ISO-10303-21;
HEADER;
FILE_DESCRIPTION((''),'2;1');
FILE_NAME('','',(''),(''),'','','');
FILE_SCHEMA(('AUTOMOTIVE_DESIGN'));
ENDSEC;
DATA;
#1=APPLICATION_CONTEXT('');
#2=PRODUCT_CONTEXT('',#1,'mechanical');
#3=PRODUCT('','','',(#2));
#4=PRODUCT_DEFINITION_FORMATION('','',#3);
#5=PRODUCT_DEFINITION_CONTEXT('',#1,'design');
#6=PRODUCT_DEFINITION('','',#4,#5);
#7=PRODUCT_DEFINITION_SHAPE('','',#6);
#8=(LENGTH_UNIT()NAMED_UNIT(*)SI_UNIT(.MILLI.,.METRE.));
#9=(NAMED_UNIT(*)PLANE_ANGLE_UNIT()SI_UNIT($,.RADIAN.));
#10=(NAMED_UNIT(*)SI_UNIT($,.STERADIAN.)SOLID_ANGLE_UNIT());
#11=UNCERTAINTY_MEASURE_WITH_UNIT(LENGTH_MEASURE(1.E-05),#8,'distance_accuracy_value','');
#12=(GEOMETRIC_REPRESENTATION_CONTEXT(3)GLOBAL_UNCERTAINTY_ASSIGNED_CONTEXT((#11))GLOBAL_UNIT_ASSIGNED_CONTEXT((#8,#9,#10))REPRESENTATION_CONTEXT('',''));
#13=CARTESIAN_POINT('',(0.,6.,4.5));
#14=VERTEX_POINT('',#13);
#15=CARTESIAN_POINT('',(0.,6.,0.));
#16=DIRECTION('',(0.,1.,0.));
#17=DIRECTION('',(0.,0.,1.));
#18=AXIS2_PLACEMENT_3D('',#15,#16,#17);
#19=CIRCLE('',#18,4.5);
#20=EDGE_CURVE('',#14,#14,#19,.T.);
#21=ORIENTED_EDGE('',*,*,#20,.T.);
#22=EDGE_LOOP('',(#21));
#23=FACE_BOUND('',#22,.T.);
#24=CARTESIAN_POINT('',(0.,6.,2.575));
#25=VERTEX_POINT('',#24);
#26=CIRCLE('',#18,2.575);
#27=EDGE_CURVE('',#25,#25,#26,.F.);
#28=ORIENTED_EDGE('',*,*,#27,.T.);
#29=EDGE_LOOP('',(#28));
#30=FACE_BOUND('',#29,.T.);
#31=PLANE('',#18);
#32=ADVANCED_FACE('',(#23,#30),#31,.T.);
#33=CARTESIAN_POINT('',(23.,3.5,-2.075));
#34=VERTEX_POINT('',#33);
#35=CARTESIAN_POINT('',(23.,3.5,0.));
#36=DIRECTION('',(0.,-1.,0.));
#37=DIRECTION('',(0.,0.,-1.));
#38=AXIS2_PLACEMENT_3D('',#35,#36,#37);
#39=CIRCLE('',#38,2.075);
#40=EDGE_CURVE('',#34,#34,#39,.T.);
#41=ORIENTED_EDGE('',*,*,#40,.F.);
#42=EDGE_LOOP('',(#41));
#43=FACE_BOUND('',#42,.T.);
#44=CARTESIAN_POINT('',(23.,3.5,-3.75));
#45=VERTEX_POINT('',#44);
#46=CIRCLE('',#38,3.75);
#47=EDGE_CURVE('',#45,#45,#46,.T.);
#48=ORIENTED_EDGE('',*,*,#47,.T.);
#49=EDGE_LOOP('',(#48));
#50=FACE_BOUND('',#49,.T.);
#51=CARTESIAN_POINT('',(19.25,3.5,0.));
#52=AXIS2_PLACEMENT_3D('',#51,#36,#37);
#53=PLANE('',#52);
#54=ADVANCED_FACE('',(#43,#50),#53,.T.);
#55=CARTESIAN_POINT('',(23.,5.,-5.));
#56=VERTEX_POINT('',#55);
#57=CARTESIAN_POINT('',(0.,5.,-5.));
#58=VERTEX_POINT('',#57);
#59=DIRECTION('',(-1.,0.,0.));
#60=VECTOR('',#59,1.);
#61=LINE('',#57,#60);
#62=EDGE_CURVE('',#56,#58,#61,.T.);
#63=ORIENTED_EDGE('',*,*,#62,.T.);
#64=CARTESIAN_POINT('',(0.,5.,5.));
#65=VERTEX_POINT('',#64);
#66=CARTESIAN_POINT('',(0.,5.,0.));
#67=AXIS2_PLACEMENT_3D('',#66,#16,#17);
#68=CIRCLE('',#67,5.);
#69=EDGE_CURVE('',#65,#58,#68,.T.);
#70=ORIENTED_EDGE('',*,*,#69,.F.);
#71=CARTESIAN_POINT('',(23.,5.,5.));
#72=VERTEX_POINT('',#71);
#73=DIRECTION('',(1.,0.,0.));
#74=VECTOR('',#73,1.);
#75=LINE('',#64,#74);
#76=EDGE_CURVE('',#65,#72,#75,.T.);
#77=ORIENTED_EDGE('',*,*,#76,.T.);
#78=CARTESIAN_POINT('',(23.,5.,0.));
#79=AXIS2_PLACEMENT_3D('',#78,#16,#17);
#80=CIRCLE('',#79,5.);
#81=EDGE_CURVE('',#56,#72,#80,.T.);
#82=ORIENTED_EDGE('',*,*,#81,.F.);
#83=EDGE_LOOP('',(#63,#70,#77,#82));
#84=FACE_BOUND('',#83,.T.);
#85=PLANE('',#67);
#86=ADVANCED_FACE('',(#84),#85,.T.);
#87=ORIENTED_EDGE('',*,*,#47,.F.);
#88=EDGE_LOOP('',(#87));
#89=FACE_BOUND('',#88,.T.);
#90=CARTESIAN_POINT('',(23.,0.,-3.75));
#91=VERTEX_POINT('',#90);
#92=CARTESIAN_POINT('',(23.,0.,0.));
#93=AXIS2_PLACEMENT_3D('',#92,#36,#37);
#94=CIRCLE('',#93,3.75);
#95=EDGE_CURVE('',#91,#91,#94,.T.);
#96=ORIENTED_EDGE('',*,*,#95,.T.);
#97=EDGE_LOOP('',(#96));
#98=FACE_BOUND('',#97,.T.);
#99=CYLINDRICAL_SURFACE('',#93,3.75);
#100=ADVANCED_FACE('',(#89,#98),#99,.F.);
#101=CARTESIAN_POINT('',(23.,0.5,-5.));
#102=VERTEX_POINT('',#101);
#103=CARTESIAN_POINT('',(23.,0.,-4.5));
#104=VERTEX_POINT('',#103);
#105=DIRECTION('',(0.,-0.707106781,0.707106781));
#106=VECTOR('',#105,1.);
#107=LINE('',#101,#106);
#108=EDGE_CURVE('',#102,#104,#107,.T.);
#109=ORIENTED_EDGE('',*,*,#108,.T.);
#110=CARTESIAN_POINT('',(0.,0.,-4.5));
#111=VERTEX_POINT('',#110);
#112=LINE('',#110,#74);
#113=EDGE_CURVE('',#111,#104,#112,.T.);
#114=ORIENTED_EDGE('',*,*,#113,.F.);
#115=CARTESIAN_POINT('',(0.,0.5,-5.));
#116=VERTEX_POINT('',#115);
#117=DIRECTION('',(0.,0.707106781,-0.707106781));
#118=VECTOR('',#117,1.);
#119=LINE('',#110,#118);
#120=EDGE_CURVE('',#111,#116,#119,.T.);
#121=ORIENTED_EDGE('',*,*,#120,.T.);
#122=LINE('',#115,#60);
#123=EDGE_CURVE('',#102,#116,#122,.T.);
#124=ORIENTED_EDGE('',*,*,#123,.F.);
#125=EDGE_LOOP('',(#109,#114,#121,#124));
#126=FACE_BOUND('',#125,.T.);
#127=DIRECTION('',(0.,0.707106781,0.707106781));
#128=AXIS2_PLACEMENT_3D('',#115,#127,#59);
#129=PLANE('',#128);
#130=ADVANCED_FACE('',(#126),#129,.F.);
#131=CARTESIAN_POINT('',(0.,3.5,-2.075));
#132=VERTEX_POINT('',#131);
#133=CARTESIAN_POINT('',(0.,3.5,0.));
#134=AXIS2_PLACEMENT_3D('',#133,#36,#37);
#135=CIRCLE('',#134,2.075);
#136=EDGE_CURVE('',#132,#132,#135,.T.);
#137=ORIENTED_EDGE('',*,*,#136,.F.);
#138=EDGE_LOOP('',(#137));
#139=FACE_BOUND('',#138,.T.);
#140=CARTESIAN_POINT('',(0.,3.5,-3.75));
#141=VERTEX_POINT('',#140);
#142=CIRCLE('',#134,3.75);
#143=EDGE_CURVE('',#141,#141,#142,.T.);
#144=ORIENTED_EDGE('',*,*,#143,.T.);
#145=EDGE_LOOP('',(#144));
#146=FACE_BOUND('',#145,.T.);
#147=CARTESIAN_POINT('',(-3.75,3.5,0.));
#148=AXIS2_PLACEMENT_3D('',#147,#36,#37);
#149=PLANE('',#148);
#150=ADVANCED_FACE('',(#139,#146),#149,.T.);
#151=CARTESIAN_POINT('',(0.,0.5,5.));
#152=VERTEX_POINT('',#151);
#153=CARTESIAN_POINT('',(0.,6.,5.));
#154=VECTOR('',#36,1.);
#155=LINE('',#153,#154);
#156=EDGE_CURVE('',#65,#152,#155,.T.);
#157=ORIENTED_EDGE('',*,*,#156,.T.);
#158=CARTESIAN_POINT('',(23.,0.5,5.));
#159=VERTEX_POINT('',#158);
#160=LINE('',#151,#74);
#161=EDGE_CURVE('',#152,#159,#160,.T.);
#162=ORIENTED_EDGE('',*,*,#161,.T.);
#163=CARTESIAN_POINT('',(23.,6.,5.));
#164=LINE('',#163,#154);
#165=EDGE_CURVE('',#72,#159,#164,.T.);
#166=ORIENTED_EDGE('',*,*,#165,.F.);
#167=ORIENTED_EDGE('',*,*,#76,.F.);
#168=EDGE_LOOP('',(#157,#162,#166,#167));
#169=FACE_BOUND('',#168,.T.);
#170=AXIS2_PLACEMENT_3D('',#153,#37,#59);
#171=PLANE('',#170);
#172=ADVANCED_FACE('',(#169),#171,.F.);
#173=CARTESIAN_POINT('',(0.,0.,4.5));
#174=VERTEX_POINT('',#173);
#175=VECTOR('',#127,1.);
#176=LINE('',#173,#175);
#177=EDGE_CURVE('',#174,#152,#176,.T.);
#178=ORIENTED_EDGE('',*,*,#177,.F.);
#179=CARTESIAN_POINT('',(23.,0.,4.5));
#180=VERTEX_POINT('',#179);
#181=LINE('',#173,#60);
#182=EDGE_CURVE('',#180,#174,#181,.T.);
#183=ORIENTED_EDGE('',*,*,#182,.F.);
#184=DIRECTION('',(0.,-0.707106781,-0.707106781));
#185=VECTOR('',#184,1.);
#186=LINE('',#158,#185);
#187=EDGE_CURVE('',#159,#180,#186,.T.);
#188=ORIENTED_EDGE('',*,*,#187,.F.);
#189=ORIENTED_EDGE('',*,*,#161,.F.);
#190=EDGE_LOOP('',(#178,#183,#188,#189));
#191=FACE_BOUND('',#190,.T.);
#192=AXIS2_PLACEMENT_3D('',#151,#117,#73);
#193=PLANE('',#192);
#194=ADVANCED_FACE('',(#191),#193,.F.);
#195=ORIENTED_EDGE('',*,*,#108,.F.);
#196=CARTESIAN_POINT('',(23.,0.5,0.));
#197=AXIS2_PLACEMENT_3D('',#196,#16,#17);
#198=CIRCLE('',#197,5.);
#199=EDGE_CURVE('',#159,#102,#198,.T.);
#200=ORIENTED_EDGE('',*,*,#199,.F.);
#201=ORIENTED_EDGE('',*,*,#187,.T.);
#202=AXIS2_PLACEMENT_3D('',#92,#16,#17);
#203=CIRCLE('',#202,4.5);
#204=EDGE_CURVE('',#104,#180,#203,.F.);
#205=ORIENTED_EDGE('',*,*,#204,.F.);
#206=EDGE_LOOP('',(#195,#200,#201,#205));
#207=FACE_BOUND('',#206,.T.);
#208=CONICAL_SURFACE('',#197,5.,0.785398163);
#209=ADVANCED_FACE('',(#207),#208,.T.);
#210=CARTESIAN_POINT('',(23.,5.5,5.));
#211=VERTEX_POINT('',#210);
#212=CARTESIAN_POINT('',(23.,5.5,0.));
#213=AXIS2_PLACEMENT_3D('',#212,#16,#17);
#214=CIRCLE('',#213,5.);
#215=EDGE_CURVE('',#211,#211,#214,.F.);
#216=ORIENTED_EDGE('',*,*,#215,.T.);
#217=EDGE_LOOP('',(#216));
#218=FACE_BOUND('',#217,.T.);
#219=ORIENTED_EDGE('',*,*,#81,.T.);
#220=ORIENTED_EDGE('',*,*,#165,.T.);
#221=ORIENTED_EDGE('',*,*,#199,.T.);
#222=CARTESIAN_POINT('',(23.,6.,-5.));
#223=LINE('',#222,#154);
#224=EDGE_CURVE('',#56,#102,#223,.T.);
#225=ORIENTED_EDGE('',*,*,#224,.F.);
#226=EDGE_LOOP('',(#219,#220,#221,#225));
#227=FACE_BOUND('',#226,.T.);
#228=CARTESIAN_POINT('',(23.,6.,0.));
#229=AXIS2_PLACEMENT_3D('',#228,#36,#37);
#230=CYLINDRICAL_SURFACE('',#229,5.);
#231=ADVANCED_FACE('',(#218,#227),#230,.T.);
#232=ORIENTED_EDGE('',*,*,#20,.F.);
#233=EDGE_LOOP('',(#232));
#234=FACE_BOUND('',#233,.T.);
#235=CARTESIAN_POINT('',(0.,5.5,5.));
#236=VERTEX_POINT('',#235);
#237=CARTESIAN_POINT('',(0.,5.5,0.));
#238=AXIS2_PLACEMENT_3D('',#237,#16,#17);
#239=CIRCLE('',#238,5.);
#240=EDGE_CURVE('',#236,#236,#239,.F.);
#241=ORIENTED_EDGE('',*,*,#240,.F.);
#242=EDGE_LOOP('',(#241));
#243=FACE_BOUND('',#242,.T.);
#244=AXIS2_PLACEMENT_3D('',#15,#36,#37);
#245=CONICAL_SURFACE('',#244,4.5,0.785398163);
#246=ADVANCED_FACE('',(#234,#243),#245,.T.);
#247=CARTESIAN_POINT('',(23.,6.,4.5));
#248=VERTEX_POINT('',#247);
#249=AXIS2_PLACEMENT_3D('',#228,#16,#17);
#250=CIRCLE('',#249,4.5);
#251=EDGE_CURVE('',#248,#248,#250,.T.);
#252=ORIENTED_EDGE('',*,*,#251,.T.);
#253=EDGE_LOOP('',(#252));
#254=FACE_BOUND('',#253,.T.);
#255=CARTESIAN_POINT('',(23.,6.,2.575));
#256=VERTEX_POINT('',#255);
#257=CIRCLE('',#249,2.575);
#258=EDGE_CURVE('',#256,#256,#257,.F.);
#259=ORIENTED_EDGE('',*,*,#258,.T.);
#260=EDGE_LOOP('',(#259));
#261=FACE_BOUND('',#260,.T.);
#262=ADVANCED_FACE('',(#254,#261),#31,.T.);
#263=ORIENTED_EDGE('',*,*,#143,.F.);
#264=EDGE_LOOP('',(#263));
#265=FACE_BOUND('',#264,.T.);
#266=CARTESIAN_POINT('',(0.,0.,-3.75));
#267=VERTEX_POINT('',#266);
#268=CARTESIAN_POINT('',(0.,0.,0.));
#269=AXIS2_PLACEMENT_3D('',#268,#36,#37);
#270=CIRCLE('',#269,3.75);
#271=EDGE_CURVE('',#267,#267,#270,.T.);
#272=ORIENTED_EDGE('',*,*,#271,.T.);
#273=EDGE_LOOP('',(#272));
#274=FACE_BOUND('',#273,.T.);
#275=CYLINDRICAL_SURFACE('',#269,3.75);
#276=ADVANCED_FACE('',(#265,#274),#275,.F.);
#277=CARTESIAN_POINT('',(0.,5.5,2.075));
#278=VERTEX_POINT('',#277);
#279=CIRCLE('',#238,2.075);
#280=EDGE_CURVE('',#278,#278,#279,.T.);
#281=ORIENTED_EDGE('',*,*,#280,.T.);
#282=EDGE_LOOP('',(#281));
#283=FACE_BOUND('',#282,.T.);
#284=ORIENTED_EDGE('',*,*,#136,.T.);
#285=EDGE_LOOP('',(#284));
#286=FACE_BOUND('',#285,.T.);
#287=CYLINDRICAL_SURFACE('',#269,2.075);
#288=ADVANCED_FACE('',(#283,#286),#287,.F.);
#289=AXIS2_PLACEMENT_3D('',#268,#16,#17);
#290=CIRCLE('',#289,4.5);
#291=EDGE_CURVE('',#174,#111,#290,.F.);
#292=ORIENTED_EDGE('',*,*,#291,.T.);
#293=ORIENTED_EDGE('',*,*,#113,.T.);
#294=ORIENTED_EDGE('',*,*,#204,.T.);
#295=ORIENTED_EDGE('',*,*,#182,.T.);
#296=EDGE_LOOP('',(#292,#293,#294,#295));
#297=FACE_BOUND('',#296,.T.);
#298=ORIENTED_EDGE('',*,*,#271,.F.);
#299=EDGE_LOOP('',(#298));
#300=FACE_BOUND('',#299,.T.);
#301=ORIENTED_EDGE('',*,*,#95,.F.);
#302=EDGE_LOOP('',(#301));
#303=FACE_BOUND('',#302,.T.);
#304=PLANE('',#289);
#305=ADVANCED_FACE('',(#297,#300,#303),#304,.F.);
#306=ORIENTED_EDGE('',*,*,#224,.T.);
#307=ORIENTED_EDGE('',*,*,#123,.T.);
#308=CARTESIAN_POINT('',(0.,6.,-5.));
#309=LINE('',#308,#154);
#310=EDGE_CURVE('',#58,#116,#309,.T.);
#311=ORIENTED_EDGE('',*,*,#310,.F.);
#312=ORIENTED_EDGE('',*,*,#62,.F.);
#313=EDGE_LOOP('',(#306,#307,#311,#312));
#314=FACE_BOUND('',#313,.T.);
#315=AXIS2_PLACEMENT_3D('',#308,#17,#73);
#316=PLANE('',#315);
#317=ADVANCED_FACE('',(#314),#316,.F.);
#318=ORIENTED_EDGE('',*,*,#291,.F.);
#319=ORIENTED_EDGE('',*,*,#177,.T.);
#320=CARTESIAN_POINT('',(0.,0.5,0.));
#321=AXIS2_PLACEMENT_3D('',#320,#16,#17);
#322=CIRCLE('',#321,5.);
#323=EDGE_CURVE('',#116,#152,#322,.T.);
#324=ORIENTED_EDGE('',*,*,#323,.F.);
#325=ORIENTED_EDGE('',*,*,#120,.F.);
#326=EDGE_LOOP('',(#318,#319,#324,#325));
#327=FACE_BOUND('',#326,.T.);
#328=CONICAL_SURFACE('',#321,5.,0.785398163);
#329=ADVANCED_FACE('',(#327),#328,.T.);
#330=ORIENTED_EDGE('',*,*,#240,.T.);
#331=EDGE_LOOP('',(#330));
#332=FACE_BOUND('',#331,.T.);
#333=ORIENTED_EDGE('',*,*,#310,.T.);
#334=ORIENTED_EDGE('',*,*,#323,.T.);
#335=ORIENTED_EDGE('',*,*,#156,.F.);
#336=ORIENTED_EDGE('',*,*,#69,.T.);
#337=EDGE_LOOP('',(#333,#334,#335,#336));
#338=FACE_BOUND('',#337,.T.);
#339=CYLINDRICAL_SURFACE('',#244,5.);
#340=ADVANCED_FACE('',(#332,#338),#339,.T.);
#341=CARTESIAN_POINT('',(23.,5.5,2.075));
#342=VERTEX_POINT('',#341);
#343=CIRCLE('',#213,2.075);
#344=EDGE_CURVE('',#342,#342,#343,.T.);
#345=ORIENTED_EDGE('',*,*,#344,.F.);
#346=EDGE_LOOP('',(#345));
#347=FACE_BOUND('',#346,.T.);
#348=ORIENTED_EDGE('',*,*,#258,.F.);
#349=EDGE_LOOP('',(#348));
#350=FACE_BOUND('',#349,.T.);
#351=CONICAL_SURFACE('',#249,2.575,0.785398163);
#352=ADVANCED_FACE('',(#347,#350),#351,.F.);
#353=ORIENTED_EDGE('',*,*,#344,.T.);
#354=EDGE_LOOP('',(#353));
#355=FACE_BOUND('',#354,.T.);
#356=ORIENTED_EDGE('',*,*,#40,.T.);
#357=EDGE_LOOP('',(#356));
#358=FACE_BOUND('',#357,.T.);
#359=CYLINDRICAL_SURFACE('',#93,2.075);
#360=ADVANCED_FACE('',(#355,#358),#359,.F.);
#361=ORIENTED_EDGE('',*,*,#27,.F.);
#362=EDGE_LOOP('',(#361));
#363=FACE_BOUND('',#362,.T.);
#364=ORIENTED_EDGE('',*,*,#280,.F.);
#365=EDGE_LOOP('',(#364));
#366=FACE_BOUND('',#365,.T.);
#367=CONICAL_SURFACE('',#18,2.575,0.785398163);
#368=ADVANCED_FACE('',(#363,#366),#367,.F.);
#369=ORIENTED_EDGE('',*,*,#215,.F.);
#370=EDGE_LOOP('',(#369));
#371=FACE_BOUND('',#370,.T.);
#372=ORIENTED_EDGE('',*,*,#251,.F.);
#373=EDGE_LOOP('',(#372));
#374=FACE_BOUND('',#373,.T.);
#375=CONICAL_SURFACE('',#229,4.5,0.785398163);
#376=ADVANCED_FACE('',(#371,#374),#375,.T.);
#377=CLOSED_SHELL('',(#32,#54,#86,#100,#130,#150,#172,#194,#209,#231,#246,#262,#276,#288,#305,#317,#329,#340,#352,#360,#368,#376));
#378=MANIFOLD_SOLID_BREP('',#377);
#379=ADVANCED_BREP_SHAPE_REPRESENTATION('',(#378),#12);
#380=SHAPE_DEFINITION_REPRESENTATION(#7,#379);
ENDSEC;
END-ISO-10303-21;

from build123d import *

# Parameters (mm, degrees)
BOSS_EXTRUDE1_DEPTH = 6
SKETCH5_W           = 50.780974492
SKETCH5_H           = 22.085020173
SKETCH5_R           = 5
CUT_EXTRUDE1_DEPTH  = 1
CHAMFER2_SIZE       = 0.5


with BuildPart() as part:
    # Sketch2 → Boss-Extrude1 (new body)
    with BuildSketch(Plane(origin=(0, 0, 0), x_dir=(1, 0, 0), z_dir=(0, 1, 0))):
        with BuildLine():
            Line((0, 5), (23, 5))
            ThreePointArc((23, 5), (28, 0), (23, -5))
            Line((23, -5), (0, -5))
            ThreePointArc((0, -5), (-5, 0), (0, 5))
        make_face()
    extrude(amount=BOSS_EXTRUDE1_DEPTH)

    # Sketch3 → Cut-Revolve1 (revolve, cut)
    with BuildSketch(Plane.XY):
        Polygon((0, 0), (-3.75, 0), (-3.75, 3.5), (-2.075, 3.5), (-2.075, 6), (0, 6), align=None)
    revolve(axis=Axis((0, 0, 0), (0, 1, 0)), mode=Mode.SUBTRACT)

    # Sketch4 → Cut-Revolve2 (revolve, cut)
    with BuildSketch(Plane.XY):
        Polygon((23, 0), (19.25, 0), (19.25, 3.5), (20.925, 3.5), (20.925, 6), (23, 6), align=None)
    revolve(axis=Axis((23, 0, 0), (0, 1, 0)), mode=Mode.SUBTRACT)

    # Sketch5 → Cut-Extrude1 (cut)
    with BuildSketch(Plane(origin=(0, 6, 0), x_dir=(1, 0, 0), z_dir=(0, 1, 0))):
        with Locations((10.314830551, 0.079491573)):
            Rectangle(SKETCH5_W, SKETCH5_H)
        Circle(SKETCH5_R, mode=Mode.SUBTRACT)
        with Locations((23, 0)):
            Circle(SKETCH5_R, mode=Mode.SUBTRACT)
    extrude(amount=-CUT_EXTRUDE1_DEPTH, mode=Mode.SUBTRACT)

    # Chamfer2
    chamfer2_edges = [part.edges().sort_by_distance(p)[0] for p in [
        (23, 6, 5),
        (2.075, 6, 0),
        (25.075, 6, 0),
        (-5, 6, 0),
        (11.5, 0, -5),
        (28, 0, 0),
        (11.5, 0, 5),
        (-5, 0, 0),
    ]]
    chamfer(chamfer2_edges, length=CHAMFER2_SIZE)


solid = part.part
